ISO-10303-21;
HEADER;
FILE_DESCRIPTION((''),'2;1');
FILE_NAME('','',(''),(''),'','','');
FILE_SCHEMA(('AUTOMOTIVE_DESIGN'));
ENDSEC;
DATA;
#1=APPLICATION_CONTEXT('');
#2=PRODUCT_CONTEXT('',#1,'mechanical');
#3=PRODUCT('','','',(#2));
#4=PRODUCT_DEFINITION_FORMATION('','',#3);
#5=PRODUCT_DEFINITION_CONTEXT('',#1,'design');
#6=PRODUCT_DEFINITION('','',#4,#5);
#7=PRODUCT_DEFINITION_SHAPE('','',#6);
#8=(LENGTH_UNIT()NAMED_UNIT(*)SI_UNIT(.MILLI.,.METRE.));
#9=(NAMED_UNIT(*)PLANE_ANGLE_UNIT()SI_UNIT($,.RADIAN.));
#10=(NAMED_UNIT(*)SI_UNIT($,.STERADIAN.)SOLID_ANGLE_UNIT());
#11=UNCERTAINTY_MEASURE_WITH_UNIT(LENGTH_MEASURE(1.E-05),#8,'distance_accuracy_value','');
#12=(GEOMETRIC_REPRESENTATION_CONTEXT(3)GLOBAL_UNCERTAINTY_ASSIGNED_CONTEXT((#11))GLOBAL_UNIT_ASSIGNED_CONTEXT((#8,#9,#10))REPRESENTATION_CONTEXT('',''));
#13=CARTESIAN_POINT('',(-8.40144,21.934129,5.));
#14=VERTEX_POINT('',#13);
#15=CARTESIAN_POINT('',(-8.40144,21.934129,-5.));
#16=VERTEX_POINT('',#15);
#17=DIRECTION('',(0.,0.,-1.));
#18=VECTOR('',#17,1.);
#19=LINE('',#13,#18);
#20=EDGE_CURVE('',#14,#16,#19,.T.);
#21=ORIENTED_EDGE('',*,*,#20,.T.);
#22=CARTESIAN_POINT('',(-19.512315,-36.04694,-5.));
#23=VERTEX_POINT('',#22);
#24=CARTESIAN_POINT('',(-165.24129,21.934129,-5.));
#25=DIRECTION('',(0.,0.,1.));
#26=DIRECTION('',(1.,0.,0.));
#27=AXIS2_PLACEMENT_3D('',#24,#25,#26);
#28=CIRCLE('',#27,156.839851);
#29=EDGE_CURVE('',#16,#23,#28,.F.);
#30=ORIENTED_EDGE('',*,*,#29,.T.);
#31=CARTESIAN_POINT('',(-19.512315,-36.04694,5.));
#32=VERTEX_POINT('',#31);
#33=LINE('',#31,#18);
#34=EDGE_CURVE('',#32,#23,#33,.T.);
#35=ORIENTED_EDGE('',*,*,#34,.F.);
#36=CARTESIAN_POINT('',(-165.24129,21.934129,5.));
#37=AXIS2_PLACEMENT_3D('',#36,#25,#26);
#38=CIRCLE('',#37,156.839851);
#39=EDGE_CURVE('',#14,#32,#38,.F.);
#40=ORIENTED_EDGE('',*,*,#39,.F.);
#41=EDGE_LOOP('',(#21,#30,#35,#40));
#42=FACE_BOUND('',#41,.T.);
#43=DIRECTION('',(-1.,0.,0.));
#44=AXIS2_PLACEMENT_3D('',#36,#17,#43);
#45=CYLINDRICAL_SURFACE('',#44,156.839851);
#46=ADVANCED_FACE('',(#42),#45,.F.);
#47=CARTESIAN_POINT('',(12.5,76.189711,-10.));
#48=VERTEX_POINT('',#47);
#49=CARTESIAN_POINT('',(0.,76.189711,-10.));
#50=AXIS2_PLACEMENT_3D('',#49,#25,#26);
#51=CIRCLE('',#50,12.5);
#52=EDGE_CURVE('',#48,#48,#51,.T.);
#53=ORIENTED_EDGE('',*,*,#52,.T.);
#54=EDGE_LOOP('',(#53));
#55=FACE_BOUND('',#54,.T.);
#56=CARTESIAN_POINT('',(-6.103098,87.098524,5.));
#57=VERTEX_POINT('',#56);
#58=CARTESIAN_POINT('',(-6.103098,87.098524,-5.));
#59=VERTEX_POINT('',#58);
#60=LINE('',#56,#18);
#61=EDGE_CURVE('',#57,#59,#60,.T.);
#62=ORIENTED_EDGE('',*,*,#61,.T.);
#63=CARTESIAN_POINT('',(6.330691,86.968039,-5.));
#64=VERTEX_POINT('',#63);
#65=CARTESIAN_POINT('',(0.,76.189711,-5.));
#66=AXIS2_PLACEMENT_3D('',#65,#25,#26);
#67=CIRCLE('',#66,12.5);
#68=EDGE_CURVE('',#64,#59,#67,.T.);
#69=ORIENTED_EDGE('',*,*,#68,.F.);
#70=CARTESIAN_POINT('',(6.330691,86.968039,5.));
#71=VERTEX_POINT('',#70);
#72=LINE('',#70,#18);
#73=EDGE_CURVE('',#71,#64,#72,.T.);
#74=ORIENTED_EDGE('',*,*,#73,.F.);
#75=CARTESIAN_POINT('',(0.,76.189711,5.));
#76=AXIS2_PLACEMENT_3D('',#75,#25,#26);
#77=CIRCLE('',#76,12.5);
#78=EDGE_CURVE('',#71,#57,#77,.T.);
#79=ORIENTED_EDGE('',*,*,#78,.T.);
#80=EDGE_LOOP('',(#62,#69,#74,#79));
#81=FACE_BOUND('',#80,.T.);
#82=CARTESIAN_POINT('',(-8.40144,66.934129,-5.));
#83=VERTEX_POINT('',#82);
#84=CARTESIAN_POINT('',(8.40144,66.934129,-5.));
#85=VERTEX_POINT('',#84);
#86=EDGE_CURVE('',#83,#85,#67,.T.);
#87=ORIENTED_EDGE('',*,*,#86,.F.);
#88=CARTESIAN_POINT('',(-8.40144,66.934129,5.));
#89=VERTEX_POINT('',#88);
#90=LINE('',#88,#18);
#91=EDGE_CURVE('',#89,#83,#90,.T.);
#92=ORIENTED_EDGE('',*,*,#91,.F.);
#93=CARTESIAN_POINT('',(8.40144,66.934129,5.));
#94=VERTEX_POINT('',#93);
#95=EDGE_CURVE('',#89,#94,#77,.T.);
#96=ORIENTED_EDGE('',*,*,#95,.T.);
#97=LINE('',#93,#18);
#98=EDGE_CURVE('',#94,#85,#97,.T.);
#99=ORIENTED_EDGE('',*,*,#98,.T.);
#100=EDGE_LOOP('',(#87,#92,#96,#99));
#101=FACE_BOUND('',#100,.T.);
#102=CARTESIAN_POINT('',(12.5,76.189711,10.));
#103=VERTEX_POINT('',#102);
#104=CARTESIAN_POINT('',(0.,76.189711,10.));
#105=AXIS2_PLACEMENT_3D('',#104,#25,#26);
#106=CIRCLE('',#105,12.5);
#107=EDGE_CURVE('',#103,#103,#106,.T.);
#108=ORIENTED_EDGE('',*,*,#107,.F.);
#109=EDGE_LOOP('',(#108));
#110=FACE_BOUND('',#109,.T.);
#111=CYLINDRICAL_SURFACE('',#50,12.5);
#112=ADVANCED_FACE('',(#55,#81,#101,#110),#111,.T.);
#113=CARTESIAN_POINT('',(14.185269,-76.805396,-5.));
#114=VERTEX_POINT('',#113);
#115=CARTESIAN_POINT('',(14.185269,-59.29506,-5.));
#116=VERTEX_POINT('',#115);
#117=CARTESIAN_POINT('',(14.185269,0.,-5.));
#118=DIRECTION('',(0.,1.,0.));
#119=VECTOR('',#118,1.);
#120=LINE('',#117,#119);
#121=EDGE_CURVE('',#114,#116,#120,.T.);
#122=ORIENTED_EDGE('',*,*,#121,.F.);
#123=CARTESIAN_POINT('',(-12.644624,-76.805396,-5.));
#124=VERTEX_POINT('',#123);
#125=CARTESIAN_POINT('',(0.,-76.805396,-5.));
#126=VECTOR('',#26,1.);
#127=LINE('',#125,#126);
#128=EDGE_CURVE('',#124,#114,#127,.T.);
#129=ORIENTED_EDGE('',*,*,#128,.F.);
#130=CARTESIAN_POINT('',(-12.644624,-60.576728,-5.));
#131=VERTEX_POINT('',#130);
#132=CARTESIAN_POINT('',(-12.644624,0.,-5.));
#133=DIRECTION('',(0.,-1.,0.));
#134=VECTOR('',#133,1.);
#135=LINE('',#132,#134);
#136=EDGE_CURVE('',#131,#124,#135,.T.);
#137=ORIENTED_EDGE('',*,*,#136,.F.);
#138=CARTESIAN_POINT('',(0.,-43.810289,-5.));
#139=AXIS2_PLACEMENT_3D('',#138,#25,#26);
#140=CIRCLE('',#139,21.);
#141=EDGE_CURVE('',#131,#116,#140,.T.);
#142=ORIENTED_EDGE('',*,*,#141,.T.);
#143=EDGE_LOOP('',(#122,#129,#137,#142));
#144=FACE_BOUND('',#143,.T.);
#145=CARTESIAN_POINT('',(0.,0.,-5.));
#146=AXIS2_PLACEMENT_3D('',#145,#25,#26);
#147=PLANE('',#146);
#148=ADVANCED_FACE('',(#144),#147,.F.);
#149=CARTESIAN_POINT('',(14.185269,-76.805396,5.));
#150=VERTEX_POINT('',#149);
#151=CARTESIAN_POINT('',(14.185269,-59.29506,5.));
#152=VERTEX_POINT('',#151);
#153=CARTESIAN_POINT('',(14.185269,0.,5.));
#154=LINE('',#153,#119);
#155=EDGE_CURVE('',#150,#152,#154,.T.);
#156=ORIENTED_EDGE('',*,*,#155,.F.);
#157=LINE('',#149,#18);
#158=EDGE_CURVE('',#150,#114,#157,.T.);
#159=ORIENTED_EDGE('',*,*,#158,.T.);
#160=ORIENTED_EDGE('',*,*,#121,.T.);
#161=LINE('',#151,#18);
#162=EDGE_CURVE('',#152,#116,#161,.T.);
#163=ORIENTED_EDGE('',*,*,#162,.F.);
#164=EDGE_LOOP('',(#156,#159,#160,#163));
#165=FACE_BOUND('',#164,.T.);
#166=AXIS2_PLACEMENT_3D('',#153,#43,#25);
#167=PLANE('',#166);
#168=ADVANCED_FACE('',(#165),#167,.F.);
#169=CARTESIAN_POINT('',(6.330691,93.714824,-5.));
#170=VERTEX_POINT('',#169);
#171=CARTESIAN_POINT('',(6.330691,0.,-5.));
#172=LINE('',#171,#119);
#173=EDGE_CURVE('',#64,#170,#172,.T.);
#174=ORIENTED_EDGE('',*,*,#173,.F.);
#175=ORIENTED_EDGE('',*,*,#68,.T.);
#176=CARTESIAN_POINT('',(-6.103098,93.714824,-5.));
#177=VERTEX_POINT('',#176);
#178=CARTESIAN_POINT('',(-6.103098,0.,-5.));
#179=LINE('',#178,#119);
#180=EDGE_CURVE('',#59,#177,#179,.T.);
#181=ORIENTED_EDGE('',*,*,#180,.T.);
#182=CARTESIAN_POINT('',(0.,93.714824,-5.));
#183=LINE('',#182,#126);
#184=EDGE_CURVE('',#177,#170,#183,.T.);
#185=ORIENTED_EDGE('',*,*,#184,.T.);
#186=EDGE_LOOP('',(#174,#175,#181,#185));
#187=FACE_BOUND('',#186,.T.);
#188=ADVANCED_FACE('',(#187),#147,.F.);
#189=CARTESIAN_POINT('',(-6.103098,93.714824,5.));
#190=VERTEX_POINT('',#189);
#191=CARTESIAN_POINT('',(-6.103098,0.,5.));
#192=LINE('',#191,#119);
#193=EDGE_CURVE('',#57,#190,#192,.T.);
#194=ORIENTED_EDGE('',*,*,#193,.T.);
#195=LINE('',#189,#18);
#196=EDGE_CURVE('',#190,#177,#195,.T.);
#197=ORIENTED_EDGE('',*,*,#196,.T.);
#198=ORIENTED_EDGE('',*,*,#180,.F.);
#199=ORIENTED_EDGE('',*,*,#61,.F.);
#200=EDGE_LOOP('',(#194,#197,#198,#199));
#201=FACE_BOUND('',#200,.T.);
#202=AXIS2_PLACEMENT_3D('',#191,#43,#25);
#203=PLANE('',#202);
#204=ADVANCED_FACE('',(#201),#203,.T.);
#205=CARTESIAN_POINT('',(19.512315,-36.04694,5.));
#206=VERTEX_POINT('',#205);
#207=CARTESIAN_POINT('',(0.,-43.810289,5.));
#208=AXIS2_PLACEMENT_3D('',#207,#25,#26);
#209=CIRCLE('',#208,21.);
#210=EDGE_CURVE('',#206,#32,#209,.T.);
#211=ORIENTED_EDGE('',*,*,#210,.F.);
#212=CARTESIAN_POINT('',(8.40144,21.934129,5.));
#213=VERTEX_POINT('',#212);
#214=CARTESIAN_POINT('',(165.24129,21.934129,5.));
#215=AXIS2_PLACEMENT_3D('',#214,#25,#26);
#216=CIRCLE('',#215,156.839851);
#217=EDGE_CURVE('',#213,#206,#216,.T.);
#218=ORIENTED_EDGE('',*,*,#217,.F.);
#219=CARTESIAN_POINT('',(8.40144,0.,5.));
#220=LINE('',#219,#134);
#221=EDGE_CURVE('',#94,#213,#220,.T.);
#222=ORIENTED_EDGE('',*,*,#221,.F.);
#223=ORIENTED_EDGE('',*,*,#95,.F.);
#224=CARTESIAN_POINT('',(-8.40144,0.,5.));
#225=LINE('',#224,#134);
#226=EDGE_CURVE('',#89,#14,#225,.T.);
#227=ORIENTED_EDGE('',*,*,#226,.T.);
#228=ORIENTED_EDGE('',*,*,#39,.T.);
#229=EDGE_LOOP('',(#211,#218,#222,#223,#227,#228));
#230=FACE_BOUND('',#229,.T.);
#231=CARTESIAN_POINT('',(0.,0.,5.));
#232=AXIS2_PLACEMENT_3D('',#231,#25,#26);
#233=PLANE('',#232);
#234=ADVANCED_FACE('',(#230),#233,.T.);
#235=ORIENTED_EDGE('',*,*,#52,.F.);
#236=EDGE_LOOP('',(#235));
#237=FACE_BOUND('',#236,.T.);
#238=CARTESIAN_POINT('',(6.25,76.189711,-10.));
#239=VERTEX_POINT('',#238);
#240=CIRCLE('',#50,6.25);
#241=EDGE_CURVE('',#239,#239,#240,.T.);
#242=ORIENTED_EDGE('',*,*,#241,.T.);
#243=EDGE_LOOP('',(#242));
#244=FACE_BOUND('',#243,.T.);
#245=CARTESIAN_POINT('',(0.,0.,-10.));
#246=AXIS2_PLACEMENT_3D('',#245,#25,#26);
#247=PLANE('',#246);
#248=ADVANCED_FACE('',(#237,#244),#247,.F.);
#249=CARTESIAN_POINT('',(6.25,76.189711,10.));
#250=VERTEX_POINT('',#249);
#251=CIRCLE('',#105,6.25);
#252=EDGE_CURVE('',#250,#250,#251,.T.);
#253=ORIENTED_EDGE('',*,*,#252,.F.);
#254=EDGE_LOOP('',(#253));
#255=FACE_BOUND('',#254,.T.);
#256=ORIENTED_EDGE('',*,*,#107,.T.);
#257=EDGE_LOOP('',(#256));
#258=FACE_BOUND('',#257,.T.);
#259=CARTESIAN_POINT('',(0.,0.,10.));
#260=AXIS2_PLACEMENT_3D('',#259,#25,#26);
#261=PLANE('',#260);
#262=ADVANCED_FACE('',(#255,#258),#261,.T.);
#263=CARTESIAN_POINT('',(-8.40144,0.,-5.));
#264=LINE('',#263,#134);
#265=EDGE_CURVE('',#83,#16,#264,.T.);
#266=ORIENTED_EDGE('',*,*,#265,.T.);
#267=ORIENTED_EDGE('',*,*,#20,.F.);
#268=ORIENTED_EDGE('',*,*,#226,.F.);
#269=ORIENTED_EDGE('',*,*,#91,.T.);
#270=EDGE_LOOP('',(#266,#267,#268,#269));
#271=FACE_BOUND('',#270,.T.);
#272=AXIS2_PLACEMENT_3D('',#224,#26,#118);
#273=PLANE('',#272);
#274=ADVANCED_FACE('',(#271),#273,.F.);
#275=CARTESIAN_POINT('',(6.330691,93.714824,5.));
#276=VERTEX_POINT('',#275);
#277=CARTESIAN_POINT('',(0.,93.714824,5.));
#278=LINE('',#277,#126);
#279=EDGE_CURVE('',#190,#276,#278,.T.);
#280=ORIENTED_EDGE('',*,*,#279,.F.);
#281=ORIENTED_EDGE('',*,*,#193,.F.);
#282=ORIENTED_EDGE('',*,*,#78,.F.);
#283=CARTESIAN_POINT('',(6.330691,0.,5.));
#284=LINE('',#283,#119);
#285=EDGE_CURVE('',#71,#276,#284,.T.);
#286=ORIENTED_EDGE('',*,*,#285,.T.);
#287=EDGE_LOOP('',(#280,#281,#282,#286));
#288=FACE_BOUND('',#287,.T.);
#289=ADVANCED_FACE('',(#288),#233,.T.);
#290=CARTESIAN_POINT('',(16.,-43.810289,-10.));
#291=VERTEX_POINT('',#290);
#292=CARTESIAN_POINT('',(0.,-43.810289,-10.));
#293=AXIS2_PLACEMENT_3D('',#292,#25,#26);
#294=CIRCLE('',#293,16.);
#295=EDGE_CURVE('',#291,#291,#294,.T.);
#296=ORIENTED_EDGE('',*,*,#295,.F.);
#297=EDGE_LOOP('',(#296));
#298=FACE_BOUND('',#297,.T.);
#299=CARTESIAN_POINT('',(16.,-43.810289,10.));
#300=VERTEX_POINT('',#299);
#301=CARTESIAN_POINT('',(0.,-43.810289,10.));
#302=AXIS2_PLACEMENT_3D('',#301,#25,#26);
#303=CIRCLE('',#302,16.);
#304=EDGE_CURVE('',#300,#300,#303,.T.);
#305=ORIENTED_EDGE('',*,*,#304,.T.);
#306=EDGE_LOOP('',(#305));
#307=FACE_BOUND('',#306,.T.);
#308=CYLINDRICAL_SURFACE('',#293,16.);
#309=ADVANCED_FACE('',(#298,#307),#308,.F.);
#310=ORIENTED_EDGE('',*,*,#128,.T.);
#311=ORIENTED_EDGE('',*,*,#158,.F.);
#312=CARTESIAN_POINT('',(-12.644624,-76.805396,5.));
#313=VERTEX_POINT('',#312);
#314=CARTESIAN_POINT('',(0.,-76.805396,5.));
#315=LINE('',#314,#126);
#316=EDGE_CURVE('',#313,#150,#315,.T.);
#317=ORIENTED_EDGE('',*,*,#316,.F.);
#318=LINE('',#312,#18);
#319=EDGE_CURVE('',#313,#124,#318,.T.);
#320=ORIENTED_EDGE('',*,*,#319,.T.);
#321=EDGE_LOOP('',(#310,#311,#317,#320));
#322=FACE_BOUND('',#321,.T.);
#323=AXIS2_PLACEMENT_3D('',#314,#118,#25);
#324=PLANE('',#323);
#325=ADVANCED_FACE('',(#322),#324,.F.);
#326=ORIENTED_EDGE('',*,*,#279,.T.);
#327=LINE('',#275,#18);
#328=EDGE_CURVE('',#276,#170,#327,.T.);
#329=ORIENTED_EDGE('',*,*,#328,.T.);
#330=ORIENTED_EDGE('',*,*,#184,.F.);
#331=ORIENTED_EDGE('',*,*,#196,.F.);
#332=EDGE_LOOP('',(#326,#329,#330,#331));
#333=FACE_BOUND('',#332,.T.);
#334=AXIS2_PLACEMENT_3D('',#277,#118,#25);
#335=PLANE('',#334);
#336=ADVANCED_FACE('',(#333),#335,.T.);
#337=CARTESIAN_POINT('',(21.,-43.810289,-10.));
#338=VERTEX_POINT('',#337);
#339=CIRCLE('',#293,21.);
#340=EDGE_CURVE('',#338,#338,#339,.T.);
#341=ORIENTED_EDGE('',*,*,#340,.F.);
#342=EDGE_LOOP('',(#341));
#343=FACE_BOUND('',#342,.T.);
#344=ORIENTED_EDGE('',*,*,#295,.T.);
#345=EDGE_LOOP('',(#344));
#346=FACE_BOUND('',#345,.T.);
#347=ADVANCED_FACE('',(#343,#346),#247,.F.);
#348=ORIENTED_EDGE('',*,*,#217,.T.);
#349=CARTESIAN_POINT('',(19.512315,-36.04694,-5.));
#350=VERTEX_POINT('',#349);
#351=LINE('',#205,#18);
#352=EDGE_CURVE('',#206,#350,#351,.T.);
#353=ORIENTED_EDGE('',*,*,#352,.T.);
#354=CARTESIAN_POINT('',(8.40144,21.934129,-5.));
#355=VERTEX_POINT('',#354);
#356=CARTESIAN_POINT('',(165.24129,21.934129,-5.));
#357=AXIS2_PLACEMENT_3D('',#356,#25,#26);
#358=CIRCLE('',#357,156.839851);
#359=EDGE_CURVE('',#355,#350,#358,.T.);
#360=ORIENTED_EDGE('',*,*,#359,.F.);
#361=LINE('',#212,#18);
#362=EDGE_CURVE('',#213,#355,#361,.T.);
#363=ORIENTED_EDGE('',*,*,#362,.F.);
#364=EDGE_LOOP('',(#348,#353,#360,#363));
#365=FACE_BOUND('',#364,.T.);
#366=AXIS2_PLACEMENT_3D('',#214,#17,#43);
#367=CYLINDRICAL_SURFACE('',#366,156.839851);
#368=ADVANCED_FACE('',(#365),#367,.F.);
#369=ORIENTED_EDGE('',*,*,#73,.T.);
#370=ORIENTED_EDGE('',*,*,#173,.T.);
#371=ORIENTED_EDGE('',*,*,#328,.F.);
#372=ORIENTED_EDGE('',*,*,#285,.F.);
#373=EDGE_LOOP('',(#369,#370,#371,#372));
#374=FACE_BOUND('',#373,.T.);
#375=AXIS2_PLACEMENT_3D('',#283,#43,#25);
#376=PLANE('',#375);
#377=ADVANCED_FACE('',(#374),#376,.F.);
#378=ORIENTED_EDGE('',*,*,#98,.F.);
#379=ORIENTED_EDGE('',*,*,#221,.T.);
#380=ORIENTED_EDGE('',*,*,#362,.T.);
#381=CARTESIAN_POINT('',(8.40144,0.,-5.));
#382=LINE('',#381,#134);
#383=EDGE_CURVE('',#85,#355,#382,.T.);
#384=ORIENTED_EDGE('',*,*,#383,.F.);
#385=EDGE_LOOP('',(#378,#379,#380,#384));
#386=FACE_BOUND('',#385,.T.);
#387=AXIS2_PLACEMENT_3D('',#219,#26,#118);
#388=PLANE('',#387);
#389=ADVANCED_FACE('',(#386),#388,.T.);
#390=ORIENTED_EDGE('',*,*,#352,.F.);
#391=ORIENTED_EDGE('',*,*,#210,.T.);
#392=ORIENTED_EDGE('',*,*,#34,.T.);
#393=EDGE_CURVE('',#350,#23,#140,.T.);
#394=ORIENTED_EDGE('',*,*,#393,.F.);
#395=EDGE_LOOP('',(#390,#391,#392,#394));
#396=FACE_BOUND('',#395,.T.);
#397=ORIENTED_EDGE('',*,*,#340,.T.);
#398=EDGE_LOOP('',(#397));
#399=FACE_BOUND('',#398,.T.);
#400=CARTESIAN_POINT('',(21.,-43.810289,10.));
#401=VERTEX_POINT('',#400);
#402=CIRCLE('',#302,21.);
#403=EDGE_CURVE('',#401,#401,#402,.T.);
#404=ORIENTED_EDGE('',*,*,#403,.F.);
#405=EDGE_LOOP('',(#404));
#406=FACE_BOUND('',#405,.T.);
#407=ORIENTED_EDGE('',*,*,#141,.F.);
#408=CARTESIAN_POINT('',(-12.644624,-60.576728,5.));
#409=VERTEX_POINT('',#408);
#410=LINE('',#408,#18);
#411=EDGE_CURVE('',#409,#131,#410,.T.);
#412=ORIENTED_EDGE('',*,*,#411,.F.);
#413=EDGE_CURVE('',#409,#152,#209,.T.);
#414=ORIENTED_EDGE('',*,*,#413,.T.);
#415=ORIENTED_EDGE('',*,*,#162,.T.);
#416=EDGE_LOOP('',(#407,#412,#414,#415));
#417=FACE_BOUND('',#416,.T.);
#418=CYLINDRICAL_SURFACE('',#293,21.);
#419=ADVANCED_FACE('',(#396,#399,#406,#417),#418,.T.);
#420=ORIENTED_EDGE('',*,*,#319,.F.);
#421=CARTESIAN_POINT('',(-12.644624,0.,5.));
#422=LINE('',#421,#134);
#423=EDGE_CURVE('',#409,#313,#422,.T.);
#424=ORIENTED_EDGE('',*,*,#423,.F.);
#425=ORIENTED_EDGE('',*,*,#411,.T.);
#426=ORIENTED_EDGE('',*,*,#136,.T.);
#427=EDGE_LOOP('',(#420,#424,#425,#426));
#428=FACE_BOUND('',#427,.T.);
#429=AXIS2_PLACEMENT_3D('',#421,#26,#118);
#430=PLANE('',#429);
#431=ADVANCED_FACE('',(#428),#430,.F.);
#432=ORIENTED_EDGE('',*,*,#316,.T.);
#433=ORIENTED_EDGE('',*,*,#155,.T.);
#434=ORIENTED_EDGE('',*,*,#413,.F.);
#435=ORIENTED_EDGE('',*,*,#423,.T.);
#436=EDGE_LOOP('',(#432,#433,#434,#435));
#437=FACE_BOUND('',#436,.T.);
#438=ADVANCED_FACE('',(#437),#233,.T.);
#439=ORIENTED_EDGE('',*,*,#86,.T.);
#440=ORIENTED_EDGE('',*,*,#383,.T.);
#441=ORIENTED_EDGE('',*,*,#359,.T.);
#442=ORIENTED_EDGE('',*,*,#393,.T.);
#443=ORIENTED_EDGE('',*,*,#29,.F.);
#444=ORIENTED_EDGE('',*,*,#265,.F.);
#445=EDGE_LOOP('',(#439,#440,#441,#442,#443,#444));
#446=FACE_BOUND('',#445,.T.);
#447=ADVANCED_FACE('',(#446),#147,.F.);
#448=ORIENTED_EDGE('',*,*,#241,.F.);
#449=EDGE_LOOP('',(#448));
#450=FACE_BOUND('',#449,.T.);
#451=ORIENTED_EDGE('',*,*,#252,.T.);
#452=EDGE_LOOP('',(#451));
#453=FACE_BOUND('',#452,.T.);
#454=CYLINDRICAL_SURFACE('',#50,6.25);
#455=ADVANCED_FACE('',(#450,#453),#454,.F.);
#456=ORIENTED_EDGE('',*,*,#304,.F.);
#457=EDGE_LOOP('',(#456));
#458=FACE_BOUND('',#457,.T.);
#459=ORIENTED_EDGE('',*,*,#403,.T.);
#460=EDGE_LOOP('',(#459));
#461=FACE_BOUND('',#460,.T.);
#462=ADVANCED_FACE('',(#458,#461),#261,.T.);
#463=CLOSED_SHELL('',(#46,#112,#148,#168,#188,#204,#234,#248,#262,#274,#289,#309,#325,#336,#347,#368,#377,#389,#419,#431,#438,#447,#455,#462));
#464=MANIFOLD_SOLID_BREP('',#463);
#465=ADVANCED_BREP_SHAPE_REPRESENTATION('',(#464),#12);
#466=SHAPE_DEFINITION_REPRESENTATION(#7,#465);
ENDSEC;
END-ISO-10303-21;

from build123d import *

# Parameters (mm, degrees)
SKETCH2_R             = 21
SKETCH2_R_2           = 16
BOSS_EXTRUDE1_DEPTH   = 10
SKETCH2_R_3           = 12.5
SKETCH2_R_4           = 6.25
BOSS_EXTRUDE1_2_DEPTH = 10
BOSS_EXTRUDE2_DEPTH   = 5


with BuildPart() as part:
    # Sketch2 → Boss-Extrude1 (new, symmetric)
    with BuildSketch(Plane.XY):
        with Locations((0, -43.810288723)):
            Circle(SKETCH2_R)
        with Locations((0, -43.810288723)):
            Circle(SKETCH2_R_2, mode=Mode.SUBTRACT)
    extrude(amount=BOSS_EXTRUDE1_DEPTH, both=True)



with BuildPart() as body_2:
    # Sketch2 → Boss-Extrude1 2 (new, symmetric)
    with BuildSketch(Plane.XY):
        with Locations((0, 76.189711277)):
            Circle(SKETCH2_R_3)
        with Locations((0, 76.189711277)):
            Circle(SKETCH2_R_4, mode=Mode.SUBTRACT)
    extrude(amount=BOSS_EXTRUDE1_2_DEPTH, both=True)


with BuildPart() as part_1:
    add(part.part)

    add(body_2.part)  # Boss-Extrude2 merges body 2
    # Sketch2<3> → Boss-Extrude2 (add, symmetric)
    with BuildSketch(Plane.XY):
        with BuildLine():
            ThreePointArc((-8.40143978, 21.934128658), (-11.204201439, -7.583899174), (-19.512314514, -36.046940071))
            ThreePointArc((-19.512314514, -36.046940071), (0, -22.810288723), (19.512314514, -36.046940071))
            ThreePointArc((19.512314514, -36.046940071), (11.204201439, -7.583899174), (8.40143978, 21.934128658))
            Line((8.40143978, 21.934128658), (8.40143978, 66.934128658))
            ThreePointArc((8.40143978, 66.934128658), (0, 63.689711277), (-8.40143978, 66.934128658))
            Line((-8.40143978, 66.934128658), (-8.40143978, 21.934128658))
        make_face()
        with BuildLine():
            Line((-6.10309837, 93.714824033), (-6.10309837, 87.098523783))
            ThreePointArc((-6.10309837, 87.098523783), (0.131172403, 88.68902301), (6.330691245, 86.968038993))
            Line((6.330691245, 86.968038993), (6.330691245, 93.714824033))
            Line((6.330691245, 93.714824033), (-6.10309837, 93.714824033))
        make_face()
        with BuildLine():
            ThreePointArc((14.185268549, -59.295060475), (1.002030285, -64.786368798), (-12.644623669, -60.576728186))
            Line((-12.644623669, -60.576728186), (-12.644623669, -76.805395819))
            Line((-12.644623669, -76.805395819), (14.185268549, -76.805395819))
            Line((14.185268549, -76.805395819), (14.185268549, -59.295060475))
        make_face()
    extrude(amount=BOSS_EXTRUDE2_DEPTH, both=True)


solid = part_1.part
